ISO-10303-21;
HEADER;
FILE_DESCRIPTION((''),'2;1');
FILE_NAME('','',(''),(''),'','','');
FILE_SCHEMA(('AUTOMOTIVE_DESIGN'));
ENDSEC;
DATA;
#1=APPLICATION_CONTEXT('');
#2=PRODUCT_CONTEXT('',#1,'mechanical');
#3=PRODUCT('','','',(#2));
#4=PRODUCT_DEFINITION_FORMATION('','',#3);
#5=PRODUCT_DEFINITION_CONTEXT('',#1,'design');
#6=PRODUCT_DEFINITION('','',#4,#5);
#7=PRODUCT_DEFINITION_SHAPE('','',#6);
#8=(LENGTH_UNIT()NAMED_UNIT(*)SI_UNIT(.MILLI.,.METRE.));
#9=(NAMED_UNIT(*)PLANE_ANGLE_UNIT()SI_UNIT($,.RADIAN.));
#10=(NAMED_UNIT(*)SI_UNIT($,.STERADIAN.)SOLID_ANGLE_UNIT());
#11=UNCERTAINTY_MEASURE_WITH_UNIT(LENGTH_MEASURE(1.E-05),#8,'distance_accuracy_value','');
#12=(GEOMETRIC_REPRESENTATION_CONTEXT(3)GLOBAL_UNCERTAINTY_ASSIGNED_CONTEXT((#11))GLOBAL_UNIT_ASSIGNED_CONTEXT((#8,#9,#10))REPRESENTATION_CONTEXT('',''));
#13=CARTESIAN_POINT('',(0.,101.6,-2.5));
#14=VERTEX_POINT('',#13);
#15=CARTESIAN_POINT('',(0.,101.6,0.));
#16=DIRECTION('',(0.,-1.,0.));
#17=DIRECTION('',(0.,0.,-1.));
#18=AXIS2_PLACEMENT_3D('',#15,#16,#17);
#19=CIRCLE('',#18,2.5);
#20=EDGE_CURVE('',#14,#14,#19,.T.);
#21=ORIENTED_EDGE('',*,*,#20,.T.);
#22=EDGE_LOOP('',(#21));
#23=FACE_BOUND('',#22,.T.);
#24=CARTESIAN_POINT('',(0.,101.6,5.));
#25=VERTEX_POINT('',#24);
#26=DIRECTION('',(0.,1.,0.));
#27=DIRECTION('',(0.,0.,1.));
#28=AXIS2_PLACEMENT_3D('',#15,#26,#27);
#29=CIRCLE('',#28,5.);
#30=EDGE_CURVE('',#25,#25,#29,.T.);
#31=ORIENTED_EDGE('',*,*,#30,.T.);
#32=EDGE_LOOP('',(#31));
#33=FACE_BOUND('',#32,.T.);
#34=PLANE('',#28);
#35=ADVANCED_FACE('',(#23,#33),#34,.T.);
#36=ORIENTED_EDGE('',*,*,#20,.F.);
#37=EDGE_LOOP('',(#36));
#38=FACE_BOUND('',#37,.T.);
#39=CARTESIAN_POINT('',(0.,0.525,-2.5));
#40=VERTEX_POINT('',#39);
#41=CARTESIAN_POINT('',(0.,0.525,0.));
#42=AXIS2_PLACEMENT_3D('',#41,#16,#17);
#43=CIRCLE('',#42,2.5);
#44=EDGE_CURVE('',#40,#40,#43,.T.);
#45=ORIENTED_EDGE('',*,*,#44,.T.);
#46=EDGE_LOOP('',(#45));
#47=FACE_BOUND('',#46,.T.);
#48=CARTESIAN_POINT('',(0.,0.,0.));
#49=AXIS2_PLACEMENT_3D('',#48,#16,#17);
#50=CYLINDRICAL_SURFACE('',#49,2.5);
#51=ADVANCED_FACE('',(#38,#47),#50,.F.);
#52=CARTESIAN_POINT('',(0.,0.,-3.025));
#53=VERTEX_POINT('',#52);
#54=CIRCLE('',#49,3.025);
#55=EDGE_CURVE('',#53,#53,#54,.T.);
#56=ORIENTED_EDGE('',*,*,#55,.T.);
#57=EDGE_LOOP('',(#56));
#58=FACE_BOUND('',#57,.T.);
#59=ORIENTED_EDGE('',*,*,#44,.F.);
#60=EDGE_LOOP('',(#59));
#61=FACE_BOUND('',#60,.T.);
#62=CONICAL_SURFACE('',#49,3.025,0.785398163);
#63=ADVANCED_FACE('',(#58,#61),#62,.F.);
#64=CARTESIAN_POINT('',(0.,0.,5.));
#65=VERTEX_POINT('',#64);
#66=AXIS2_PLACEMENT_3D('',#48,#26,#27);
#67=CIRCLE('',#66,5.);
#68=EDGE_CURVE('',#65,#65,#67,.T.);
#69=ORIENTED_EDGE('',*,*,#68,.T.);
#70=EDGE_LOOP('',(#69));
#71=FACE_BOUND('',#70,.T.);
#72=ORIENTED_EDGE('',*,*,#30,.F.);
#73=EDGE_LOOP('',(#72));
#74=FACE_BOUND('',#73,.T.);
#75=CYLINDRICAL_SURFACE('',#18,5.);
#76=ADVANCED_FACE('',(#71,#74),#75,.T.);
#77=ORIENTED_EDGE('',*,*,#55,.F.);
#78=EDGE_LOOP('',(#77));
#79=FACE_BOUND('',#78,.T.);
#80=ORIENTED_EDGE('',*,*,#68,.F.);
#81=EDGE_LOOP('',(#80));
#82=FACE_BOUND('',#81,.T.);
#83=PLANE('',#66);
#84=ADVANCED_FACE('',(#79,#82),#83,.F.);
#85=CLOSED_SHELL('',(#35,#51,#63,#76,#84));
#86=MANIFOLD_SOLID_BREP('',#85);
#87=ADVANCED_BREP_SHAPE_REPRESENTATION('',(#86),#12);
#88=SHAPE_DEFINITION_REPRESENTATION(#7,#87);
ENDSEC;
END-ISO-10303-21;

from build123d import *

# Parameters (mm, degrees)
SKETCH1_R                       = 5
BOSS_EXTRUDE1_DEPTH             = 101.6
M6X1_0_TAPPED_HOLE1_D           = 5
M6X1_0_TAPPED_HOLE1_CSINK_D     = 6.05
M6X1_0_TAPPED_HOLE1_CSINK_ANGLE = 90


with BuildPart() as part:
    # Sketch1 → Boss-Extrude1 (new body)
    with BuildSketch(Plane(origin=(0, 0, 0), x_dir=(1, 0, 0), z_dir=(0, 1, 0))):
        Circle(SKETCH1_R)
    extrude(amount=BOSS_EXTRUDE1_DEPTH)

    # M6x1.0 Tapped Hole1 (through all)
    with Locations(Plane(origin=(0, 0, 0), x_dir=(-1, 0, 0), z_dir=(0, -1, 0))):
        with Locations((0, 0)):
            CounterSinkHole(M6X1_0_TAPPED_HOLE1_D / 2, M6X1_0_TAPPED_HOLE1_CSINK_D / 2, counter_sink_angle=M6X1_0_TAPPED_HOLE1_CSINK_ANGLE)


solid = part.part
